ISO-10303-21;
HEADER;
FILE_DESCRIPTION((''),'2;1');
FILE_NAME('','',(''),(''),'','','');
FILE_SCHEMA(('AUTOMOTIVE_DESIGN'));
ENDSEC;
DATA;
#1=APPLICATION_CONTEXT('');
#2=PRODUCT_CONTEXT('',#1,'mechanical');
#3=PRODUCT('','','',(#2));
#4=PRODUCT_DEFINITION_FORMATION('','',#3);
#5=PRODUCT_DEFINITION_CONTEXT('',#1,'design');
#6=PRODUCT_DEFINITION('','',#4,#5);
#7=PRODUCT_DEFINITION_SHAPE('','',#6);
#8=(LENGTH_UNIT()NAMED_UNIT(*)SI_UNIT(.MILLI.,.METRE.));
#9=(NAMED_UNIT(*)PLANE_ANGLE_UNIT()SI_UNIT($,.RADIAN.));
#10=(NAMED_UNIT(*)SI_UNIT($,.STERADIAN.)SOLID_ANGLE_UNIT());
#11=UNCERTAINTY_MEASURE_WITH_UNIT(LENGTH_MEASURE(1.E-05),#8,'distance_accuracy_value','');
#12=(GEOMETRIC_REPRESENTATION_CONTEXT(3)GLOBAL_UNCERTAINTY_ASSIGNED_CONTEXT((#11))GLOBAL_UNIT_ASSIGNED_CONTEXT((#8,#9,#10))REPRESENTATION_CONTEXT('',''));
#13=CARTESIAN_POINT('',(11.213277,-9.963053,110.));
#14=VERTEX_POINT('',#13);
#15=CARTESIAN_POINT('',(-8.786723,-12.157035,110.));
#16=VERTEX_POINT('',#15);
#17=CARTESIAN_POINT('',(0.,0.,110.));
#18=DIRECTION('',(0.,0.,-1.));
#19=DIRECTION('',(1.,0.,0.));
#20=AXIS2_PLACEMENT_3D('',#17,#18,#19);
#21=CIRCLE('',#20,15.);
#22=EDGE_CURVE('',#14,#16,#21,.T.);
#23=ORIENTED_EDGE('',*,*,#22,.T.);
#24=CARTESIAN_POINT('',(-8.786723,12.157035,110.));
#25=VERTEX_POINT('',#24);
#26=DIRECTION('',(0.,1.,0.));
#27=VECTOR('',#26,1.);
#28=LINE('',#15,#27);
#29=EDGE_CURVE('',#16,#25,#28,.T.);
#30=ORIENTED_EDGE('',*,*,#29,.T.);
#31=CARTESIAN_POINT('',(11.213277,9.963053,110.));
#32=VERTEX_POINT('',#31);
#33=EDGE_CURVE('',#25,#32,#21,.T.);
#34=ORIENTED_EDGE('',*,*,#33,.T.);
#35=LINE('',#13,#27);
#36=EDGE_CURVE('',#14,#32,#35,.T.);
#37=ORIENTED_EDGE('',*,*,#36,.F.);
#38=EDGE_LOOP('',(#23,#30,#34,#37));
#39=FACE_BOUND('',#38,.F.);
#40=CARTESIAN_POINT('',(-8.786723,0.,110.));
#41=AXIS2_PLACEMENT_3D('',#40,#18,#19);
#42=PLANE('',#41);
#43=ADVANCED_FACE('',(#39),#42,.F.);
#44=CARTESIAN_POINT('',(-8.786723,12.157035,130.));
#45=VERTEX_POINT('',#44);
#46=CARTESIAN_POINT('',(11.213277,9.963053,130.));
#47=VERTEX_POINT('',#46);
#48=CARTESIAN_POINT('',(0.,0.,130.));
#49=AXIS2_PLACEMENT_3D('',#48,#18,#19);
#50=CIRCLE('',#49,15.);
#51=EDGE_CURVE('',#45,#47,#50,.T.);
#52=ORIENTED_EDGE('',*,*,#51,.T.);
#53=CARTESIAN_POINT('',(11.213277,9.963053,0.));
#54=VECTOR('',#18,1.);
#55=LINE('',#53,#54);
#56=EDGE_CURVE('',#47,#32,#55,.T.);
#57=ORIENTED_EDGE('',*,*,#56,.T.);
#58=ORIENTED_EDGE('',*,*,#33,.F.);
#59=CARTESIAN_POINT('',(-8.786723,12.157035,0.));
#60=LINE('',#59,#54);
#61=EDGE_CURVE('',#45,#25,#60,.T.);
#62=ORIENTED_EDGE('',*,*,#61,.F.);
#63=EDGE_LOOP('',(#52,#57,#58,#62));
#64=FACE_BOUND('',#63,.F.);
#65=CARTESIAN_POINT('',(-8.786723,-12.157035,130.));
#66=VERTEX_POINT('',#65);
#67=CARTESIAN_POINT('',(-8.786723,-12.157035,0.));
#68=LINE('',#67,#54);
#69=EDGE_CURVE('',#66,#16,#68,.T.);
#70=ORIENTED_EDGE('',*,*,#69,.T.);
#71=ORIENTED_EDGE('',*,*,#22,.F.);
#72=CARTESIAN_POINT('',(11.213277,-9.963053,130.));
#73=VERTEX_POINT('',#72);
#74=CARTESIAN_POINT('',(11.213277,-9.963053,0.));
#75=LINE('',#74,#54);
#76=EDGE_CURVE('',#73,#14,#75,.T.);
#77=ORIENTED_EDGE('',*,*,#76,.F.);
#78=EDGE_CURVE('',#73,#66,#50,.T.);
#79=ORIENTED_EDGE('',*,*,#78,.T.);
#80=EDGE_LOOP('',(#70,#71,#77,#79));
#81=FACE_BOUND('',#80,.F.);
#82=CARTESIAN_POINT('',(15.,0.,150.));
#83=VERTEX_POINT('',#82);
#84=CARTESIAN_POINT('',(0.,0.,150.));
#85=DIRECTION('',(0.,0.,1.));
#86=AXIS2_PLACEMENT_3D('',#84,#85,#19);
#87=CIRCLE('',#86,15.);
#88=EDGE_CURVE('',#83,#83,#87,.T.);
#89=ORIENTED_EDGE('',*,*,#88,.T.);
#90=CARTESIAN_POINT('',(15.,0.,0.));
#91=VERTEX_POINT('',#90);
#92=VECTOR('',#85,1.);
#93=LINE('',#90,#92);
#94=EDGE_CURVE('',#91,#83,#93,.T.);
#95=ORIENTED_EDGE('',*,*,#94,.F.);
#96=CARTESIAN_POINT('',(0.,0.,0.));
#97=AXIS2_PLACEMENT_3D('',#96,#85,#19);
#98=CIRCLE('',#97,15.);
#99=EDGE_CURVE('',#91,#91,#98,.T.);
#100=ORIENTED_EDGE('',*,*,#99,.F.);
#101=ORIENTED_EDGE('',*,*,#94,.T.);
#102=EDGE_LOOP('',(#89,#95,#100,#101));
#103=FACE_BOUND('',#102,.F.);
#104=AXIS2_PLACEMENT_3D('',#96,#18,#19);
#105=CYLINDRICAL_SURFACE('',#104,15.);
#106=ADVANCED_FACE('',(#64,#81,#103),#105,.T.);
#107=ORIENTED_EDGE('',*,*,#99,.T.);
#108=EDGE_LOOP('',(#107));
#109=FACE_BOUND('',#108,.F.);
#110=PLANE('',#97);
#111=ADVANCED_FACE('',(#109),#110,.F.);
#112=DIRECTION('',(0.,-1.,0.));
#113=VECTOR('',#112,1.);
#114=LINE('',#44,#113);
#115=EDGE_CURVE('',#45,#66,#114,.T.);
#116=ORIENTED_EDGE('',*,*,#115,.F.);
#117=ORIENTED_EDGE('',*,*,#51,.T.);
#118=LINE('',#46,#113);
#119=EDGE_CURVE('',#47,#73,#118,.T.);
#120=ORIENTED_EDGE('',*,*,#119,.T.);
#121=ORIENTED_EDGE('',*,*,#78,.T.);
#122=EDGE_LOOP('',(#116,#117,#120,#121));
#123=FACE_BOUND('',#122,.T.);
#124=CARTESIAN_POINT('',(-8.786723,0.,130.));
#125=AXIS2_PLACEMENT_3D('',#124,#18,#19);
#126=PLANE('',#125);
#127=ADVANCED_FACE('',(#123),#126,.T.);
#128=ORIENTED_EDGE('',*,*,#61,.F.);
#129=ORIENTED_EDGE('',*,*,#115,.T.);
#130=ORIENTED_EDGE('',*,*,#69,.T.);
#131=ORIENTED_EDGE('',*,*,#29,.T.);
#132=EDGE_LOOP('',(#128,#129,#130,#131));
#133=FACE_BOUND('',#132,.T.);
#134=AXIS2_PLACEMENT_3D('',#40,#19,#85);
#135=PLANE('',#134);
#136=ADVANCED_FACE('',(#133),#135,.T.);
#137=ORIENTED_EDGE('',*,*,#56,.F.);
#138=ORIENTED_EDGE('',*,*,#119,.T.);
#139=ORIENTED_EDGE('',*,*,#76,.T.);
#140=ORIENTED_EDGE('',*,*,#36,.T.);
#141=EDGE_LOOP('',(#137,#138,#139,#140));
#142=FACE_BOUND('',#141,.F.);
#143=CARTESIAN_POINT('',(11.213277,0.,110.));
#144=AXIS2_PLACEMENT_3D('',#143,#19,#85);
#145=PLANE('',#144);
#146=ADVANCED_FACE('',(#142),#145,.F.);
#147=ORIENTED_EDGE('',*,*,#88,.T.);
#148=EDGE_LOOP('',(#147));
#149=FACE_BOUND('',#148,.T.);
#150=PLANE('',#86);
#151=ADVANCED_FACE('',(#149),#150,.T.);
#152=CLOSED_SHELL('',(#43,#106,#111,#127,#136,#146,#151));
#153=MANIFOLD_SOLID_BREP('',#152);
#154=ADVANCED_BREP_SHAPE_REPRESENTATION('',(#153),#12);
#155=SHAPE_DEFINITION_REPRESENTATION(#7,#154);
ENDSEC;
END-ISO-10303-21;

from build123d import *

# Parameters (mm, degrees)
F0_R     = 15
F1_DEPTH = 150
F2_W     = 20
F2_H     = 20
F3_DEPTH = 15.001
F4_DEPTH = 15.001


with BuildPart() as f1:
    # F0 (on Top) → F1 (new body)
    with BuildSketch(Plane.XY):
        Circle(F0_R)
    extrude(amount=F1_DEPTH)

    # F2 (on Front) → F3 (cut, through all)
    with BuildSketch(Plane.XZ):
        with Locations((1.2132771455, 120)):
            Rectangle(F2_W, F2_H)
    extrude(amount=-F3_DEPTH, mode=Mode.SUBTRACT)

    # F2 (on Front) → F4 (cut, through all)
    with BuildSketch(Plane.XZ):
        with Locations((1.2132771455, 120)):
            Rectangle(F2_W, F2_H)
    extrude(amount=F4_DEPTH, mode=Mode.SUBTRACT)


solid = f1.part
